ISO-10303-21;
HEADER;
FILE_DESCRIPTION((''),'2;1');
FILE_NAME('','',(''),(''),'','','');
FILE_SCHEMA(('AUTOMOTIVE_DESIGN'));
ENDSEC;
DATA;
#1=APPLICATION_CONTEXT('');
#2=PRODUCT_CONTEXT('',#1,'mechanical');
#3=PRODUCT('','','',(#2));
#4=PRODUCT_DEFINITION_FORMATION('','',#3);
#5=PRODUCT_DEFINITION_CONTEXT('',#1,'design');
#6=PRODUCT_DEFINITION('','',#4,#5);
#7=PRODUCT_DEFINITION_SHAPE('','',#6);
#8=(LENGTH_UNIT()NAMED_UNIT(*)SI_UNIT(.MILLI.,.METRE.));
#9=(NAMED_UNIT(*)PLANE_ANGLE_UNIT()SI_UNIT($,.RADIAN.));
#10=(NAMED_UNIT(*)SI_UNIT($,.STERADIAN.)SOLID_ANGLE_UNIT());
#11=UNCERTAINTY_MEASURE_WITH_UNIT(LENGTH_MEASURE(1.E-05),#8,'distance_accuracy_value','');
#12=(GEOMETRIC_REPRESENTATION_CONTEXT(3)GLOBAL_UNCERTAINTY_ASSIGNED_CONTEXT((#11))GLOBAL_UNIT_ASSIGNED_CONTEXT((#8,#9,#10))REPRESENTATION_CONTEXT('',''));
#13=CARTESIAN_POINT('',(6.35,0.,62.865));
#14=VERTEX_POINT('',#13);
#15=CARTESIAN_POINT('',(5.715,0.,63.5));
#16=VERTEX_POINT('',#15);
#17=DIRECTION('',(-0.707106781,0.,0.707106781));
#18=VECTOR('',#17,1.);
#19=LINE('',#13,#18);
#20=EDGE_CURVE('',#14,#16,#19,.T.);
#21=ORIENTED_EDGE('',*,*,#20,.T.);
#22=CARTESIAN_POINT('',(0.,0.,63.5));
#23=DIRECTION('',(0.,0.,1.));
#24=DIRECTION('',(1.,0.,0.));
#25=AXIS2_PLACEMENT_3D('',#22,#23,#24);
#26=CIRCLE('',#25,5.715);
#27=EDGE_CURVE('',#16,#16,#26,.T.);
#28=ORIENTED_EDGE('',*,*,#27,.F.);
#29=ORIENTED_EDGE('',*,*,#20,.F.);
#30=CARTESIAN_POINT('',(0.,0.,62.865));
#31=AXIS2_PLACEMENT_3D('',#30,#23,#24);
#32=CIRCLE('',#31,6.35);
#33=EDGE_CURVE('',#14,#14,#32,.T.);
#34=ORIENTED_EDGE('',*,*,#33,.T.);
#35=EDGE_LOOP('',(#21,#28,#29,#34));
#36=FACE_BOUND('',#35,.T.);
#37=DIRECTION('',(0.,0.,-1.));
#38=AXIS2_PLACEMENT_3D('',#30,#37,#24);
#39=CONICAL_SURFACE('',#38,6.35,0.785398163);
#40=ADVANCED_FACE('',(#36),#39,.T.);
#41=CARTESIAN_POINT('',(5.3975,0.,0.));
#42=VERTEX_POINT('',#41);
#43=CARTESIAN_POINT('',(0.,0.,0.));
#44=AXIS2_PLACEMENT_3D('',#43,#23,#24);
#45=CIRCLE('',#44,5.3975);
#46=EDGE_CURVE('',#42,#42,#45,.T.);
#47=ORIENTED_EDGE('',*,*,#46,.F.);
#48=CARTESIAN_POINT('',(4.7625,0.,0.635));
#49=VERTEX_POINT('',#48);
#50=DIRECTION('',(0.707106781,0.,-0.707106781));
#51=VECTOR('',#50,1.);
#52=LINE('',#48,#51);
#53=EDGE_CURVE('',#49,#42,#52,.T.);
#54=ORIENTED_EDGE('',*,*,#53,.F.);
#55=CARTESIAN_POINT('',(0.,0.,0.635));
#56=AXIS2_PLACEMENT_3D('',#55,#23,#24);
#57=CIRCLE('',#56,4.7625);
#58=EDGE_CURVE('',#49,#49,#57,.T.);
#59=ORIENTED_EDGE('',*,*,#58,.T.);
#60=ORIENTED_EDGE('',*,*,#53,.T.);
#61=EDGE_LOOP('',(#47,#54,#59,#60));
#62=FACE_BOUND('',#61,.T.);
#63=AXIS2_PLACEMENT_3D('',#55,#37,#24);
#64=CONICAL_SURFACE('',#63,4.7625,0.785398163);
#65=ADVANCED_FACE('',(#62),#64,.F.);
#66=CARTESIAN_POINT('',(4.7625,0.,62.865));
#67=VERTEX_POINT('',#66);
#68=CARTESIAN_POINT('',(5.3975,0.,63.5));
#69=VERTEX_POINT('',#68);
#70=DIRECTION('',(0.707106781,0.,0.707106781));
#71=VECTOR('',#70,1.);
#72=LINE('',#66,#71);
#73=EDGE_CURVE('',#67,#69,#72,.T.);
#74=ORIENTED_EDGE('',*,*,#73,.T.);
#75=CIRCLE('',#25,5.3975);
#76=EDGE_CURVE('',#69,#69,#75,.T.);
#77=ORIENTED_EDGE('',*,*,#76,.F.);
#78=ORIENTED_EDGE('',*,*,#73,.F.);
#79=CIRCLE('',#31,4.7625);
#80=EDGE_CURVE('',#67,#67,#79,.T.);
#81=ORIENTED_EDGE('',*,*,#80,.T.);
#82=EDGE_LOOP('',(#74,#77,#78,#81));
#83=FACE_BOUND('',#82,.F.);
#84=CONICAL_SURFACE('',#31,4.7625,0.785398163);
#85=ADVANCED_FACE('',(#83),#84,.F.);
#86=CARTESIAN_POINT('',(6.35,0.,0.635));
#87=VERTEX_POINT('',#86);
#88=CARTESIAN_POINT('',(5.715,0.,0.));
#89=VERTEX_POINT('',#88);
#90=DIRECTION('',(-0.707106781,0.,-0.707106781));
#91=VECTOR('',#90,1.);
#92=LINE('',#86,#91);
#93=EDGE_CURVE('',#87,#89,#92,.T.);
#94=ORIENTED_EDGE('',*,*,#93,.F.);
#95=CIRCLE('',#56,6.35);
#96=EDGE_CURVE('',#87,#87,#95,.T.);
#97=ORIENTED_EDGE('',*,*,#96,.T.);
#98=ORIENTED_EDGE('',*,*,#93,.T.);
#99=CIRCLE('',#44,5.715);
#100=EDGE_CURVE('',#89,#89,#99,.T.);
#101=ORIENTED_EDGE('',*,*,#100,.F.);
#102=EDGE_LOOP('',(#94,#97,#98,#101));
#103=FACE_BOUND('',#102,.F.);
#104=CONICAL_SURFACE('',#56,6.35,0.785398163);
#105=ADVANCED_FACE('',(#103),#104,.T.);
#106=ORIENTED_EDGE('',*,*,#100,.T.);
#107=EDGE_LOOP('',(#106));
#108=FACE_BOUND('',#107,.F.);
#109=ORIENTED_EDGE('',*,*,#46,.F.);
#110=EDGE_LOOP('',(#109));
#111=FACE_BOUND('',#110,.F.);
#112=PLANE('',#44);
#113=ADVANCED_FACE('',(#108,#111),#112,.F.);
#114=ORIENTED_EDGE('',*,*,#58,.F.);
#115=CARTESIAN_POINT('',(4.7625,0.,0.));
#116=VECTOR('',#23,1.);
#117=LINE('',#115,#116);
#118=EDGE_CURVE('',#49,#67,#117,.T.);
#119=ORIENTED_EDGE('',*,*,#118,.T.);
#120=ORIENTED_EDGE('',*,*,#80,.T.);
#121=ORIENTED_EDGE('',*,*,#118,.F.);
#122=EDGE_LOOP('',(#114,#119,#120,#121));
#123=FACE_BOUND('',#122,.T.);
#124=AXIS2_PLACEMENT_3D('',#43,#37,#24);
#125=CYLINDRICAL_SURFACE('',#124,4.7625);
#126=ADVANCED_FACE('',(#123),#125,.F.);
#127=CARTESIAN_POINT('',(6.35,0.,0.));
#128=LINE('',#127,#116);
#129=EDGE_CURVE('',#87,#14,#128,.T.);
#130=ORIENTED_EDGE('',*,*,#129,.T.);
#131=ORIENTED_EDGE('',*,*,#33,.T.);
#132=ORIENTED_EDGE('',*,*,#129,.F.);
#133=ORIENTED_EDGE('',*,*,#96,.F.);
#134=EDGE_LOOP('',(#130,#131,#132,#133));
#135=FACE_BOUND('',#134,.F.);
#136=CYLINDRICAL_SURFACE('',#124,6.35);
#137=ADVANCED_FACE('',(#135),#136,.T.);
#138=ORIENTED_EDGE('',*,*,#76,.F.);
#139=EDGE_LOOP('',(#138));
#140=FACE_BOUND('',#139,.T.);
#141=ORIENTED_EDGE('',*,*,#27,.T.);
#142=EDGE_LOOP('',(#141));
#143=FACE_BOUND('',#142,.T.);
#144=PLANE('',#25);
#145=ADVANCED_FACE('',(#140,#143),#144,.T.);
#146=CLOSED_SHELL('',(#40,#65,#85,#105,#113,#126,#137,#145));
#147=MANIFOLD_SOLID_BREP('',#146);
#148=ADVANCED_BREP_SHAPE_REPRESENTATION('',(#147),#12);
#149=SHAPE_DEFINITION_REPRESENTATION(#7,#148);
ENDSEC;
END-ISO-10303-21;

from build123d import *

# Parameters (mm, degrees)
F0_R     = 6.35
F0_R_2   = 4.7625
F1_DEPTH = 63.5
F2_SIZE  = 0.635


with BuildPart() as f1:
    # F0 (on Top) → F1 (new body)
    with BuildSketch(Plane.XY):
        Circle(F0_R)
        Circle(F0_R_2, mode=Mode.SUBTRACT)
    extrude(amount=F1_DEPTH)

    # F2
    f2_edges = [f1.edges().sort_by_distance(p)[0] for p in [
        (6.35, 0, 31.75),
        (-6.35, 0, 0),
        (-6.35, 0, 63.5),
        (4.7625, 0, 31.75),
        (-4.7625, 0, 0),
        (-4.7625, 0, 63.5),
    ]]
    chamfer(f2_edges, length=F2_SIZE)


solid = f1.part
